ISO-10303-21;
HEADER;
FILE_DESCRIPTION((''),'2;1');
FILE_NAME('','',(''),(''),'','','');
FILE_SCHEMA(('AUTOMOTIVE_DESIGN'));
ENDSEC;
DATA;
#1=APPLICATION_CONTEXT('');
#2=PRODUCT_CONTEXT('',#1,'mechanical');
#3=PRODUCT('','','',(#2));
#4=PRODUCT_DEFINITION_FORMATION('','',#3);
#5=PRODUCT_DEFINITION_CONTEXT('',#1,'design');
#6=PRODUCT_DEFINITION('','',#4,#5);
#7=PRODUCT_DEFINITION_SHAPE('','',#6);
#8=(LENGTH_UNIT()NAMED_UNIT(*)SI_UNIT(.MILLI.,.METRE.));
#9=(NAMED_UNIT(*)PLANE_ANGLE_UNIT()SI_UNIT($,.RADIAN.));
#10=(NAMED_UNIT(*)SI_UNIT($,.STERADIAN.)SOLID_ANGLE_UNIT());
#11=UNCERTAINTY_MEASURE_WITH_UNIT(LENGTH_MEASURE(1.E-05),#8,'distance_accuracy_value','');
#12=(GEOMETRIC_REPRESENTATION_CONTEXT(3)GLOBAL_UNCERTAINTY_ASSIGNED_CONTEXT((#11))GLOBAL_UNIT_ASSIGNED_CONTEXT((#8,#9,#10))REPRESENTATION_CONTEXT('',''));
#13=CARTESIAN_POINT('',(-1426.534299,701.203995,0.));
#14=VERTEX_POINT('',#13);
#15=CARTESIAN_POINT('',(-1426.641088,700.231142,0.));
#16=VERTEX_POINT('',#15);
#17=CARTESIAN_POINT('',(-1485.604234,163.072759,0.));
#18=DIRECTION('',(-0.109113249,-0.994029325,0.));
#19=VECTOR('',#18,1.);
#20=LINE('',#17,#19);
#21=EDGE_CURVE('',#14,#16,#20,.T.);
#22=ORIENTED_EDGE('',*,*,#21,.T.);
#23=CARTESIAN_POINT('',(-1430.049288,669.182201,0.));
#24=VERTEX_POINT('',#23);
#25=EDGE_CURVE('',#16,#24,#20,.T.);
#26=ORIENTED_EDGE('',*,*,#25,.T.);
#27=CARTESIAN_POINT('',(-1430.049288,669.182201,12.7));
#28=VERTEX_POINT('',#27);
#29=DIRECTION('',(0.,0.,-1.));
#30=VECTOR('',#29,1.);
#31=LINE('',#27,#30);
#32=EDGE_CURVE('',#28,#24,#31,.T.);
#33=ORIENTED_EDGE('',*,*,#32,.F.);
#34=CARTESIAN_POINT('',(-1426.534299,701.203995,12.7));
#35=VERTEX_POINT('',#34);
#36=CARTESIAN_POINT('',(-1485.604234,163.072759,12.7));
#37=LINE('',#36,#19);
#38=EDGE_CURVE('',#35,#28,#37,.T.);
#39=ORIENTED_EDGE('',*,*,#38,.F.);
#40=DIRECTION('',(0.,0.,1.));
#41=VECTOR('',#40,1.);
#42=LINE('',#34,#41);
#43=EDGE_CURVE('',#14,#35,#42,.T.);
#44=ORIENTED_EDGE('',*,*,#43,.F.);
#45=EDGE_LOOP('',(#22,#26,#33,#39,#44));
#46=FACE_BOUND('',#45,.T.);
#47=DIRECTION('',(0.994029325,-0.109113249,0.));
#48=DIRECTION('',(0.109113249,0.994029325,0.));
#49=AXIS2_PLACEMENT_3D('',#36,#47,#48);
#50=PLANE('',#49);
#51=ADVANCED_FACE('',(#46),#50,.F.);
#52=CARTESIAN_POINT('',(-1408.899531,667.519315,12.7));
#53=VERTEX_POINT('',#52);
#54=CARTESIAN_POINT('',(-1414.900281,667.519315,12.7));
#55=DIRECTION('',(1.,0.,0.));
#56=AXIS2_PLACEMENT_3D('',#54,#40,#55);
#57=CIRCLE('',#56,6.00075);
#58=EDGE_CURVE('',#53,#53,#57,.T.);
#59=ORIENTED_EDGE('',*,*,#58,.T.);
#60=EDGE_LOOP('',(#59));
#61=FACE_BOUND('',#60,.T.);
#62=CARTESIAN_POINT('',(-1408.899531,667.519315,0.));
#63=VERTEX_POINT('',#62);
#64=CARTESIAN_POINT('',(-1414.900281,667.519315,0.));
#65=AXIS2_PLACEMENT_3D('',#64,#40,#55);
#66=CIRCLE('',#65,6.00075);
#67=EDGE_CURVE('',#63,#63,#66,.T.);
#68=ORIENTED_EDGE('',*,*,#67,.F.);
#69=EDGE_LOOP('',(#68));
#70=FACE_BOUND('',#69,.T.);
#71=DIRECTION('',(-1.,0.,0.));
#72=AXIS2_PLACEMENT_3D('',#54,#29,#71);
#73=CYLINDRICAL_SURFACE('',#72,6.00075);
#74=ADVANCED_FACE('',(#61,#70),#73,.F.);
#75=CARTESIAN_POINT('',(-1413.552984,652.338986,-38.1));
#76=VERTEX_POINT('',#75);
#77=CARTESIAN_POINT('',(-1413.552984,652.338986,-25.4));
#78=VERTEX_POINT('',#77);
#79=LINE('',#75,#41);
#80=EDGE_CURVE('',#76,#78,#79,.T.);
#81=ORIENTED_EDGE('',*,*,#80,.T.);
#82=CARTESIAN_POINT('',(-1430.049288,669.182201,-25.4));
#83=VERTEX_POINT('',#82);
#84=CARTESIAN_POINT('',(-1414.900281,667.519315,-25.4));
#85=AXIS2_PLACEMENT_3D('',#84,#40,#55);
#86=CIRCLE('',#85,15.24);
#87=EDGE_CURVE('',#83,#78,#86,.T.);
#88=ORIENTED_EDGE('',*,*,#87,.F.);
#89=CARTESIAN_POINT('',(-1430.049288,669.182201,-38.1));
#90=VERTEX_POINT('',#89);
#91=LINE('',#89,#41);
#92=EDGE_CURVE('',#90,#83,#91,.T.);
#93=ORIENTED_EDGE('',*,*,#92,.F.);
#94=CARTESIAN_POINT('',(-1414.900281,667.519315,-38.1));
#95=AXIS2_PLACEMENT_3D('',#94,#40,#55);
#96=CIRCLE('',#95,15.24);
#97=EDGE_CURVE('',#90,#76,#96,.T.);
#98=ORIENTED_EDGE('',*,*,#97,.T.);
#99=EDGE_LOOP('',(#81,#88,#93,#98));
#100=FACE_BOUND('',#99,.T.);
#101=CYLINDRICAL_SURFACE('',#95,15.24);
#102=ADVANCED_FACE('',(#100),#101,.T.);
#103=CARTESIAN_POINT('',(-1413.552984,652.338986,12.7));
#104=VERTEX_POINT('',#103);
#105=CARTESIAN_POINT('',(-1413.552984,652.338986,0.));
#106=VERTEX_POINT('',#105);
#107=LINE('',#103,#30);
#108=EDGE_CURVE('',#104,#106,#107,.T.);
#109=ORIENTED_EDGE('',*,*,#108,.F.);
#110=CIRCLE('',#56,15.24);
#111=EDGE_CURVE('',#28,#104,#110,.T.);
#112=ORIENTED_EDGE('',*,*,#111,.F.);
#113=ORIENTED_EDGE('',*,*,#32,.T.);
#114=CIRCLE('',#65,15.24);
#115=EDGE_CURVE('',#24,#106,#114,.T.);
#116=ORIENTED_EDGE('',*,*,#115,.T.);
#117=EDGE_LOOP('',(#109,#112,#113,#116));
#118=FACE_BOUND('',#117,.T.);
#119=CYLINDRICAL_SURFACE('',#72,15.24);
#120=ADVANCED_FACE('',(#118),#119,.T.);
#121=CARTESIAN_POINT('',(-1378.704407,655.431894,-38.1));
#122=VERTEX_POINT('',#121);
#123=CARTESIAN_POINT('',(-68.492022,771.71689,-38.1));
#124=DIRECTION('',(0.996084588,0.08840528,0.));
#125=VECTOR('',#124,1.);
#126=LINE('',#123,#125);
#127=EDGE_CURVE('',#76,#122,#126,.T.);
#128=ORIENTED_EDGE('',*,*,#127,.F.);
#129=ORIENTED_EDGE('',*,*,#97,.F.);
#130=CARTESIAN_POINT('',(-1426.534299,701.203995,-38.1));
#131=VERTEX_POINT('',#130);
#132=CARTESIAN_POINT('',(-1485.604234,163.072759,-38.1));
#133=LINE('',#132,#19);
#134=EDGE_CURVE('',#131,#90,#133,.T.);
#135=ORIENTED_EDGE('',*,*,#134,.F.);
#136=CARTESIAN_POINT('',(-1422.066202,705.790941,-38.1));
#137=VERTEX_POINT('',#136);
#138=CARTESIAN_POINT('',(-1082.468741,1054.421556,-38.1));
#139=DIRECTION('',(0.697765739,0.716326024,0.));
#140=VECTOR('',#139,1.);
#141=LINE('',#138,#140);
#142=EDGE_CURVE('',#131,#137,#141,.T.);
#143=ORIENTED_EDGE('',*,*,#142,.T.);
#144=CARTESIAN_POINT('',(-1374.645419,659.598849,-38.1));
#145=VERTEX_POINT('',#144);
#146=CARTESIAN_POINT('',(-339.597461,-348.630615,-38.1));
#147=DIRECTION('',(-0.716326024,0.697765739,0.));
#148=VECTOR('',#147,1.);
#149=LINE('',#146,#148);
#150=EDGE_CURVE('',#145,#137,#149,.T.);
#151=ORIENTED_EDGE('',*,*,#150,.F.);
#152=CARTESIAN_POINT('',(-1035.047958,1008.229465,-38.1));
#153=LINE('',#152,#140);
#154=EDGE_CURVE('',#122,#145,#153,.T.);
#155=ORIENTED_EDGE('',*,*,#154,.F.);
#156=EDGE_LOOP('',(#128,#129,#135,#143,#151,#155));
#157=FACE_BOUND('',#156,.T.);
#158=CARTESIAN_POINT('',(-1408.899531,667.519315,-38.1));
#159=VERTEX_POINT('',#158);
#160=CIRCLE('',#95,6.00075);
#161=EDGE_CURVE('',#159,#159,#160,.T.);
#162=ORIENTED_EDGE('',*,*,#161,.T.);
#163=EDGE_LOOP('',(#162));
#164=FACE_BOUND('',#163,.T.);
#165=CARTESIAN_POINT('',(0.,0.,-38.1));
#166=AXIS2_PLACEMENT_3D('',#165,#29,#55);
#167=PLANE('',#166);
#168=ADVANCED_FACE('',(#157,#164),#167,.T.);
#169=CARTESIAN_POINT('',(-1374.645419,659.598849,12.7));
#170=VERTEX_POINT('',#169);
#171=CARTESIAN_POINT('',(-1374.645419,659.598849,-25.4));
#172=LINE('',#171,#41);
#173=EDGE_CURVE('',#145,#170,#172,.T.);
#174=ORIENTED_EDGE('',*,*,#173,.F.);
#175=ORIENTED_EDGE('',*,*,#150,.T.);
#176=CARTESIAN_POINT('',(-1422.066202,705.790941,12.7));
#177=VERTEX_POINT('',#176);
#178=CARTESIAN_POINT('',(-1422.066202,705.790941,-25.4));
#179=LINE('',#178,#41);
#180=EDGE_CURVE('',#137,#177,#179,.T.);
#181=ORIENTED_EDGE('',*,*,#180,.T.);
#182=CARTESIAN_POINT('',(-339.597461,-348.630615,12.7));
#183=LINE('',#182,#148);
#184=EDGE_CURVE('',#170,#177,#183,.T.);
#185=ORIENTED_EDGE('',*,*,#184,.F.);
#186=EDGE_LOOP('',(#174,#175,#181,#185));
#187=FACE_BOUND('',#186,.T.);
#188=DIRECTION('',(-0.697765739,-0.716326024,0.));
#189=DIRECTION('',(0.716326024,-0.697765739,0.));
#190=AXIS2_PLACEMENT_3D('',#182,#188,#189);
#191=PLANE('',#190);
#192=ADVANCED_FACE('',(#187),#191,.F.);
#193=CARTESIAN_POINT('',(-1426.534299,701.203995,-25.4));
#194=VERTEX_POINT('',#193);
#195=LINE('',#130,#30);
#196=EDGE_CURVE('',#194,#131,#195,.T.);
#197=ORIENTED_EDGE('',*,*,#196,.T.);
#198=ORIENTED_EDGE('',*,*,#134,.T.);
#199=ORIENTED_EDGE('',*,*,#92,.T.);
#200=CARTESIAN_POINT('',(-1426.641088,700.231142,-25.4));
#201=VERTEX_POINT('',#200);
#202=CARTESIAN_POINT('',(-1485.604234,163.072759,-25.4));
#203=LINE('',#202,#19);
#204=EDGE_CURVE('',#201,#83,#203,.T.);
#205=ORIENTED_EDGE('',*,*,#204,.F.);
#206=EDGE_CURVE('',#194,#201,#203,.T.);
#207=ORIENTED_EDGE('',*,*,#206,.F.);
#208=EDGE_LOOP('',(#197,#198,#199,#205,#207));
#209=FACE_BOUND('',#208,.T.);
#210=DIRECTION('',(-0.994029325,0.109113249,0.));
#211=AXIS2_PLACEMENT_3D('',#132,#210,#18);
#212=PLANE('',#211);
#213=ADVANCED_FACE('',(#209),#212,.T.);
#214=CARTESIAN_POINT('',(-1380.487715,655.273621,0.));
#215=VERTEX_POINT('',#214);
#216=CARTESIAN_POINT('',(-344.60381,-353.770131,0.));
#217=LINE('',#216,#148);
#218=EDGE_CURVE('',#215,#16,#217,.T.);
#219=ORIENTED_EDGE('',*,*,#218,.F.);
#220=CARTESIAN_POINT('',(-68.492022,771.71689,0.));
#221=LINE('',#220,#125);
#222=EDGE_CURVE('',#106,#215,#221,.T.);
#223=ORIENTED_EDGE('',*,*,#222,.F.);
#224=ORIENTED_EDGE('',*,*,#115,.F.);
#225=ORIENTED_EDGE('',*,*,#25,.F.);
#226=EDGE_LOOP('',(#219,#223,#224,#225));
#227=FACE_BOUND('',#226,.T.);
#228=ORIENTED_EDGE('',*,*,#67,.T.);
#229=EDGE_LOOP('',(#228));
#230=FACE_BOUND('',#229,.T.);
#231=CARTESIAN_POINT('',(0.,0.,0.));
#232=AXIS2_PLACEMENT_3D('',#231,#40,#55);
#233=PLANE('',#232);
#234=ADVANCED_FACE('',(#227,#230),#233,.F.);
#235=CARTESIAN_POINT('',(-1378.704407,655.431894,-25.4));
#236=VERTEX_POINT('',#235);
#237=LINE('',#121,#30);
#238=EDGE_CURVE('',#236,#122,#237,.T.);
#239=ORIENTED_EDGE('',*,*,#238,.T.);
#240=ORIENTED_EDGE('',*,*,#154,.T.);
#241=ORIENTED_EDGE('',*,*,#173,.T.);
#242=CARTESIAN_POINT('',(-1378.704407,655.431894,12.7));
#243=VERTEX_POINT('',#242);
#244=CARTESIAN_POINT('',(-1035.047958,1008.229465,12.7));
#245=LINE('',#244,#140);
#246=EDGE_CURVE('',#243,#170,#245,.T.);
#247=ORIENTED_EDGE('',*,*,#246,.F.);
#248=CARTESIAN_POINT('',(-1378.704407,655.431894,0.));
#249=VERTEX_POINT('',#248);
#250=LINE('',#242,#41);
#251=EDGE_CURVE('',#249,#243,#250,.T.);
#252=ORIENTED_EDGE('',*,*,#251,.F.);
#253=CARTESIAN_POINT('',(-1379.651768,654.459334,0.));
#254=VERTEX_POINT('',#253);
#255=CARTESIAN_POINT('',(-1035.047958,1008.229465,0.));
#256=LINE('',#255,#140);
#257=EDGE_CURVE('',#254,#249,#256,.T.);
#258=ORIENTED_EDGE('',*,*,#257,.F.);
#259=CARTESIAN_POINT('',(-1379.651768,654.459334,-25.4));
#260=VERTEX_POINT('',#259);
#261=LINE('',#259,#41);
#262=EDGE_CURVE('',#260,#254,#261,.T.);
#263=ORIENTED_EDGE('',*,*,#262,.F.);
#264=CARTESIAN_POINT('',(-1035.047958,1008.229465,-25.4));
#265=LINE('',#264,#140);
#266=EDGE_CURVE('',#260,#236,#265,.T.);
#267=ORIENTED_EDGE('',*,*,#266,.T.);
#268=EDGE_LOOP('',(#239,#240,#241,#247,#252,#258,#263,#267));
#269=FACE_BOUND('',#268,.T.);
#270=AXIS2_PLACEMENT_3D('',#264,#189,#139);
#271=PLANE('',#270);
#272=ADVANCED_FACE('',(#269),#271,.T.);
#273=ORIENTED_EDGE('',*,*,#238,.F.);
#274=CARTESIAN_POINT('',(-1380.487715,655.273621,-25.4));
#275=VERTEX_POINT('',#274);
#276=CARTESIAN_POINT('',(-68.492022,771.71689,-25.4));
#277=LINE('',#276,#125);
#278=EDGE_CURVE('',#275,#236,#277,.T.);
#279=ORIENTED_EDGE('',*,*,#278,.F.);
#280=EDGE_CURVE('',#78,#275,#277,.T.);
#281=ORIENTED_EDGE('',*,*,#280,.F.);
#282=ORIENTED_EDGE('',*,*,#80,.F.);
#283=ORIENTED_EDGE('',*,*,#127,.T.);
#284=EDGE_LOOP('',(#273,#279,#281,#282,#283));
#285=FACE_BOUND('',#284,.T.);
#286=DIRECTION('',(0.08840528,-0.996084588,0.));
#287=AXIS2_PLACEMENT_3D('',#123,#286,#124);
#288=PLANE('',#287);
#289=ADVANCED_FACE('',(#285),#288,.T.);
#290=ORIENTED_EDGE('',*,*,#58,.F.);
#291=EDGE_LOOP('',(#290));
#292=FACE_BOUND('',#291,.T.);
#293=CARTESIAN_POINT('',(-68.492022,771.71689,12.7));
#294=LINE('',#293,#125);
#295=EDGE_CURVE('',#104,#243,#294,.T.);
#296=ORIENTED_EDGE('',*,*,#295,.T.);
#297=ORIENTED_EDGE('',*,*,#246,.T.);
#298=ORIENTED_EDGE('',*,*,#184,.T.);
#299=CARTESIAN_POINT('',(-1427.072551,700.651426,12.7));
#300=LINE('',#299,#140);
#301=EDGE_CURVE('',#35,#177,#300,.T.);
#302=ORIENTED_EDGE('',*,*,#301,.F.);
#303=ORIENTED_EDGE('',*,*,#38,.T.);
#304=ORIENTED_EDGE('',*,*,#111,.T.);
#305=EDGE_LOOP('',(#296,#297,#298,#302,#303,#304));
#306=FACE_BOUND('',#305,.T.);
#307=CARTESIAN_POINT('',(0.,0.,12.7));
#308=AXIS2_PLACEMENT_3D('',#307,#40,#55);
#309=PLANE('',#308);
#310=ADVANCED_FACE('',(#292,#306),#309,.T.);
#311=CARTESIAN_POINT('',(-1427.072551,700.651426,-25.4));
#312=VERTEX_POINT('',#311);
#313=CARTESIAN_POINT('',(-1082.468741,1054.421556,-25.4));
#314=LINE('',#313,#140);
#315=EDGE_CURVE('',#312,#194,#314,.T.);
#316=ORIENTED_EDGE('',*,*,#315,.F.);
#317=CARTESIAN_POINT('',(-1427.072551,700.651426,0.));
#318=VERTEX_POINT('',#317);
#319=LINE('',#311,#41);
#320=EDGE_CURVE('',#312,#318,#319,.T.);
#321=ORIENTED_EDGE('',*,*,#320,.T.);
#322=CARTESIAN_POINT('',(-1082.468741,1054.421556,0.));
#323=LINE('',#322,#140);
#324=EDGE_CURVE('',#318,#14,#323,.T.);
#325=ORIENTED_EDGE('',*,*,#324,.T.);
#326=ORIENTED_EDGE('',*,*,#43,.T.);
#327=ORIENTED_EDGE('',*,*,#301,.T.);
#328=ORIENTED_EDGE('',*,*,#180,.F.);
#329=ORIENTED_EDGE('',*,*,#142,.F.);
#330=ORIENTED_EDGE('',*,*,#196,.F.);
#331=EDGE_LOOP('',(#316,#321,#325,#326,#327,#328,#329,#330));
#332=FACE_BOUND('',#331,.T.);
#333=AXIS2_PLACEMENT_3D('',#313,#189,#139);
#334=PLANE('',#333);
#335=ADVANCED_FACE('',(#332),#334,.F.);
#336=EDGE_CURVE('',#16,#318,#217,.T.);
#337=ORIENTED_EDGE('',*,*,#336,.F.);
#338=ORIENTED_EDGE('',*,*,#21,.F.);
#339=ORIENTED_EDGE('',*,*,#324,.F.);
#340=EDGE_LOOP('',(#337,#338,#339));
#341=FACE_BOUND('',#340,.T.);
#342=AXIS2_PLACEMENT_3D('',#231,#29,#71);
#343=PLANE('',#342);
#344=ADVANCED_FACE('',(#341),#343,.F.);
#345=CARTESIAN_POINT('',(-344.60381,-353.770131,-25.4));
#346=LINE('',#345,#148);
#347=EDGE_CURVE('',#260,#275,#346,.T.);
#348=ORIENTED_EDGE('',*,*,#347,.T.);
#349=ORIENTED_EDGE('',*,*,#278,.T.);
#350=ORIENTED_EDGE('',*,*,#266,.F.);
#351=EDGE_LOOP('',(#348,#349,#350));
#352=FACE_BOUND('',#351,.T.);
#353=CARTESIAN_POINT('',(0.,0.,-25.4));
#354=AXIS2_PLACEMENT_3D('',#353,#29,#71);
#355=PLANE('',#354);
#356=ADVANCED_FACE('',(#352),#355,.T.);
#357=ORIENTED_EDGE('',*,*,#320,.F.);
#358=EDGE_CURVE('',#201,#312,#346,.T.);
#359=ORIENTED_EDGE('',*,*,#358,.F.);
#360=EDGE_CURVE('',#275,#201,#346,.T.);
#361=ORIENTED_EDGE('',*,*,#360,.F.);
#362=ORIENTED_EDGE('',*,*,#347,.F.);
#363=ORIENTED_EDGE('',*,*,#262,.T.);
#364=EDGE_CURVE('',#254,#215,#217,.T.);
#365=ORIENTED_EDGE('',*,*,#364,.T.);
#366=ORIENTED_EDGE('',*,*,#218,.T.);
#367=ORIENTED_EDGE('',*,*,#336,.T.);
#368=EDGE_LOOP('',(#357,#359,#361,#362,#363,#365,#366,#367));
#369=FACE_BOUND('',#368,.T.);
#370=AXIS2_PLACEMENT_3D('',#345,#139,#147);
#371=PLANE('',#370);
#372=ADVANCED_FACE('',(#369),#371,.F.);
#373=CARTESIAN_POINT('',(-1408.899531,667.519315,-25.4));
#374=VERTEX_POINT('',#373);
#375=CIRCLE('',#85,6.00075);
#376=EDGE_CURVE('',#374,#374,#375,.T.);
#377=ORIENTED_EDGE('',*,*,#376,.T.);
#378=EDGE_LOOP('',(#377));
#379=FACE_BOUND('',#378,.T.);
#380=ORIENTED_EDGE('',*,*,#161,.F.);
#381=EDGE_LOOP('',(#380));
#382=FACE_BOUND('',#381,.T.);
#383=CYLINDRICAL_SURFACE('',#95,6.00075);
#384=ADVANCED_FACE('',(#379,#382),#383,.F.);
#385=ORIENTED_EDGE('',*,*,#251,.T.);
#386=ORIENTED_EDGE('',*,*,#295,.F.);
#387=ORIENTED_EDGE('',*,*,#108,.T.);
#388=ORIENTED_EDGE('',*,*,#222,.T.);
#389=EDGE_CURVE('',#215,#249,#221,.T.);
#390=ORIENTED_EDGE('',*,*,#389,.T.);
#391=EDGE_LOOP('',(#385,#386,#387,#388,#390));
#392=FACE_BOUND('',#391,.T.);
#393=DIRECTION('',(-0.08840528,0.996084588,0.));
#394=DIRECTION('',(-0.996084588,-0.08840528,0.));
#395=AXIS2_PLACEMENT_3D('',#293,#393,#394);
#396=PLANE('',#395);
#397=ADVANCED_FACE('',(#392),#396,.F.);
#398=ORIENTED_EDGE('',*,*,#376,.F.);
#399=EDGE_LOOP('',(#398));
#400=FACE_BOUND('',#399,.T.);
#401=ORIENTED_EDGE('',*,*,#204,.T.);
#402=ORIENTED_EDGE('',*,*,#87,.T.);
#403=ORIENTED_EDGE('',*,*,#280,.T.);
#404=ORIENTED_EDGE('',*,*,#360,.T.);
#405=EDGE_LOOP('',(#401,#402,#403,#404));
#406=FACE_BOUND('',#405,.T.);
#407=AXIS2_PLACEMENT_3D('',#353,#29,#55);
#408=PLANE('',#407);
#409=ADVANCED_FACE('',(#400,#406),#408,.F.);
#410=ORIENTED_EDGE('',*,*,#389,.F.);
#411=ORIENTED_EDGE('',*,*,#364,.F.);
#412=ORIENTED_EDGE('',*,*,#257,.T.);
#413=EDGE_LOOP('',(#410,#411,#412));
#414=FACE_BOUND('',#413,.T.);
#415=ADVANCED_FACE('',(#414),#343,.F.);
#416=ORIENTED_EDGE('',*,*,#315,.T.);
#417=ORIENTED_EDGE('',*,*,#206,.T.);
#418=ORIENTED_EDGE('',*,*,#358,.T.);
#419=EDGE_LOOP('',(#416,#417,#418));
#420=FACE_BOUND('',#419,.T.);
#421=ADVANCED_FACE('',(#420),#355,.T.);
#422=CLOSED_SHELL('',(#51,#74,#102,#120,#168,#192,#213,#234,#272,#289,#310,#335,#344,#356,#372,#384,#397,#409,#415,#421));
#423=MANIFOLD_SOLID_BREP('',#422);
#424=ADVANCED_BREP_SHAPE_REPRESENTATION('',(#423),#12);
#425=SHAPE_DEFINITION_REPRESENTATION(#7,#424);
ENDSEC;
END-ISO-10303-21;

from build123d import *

# Parameters (mm, degrees)
SKETCH1_R               = 6.00075
BOSS_EXTRUDE1_DEPTH     = 12.7
BOSS_EXTRUDE2_DEPTH     = 12.7
CUT_EXTRUDE1_DEPTH      = 26.4
CUT_EXTRUDE1_DEPTH_BACK = 26.4


with BuildPart() as part:
    # Sketch1 → Boss-Extrude1 (new body)
    with BuildSketch(Plane.XY):
        with BuildLine():
            Line((-1425.647832194, 709.279769852), (-1430.049287856, 669.182201206))
            ThreePointArc((-1430.049287856, 669.182201206), (-1425.788130872, 656.855717211), (-1413.552984482, 652.338986166))
            Line((-1413.552984482, 652.338986166), (-1371.063789142, 656.110020516))
            Line((-1371.063789142, 656.110020516), (-1425.647832194, 709.279769852))
        make_face()
        with Locations((-1414.900280944, 667.519315288)):
            Circle(SKETCH1_R, mode=Mode.SUBTRACT)
        with BuildLine():
            ThreePointArc((-1399.660280943, 667.519315289), (-1414.06759413, 682.736550014), (-1430.049287856, 669.182201206))
            ThreePointArc((-1430.049287856, 669.182201206), (-1429.244352574, 662.370994293), (-1425.534230405, 656.602506283))
            ThreePointArc((-1425.534230405, 656.602506283), (-1420.009574625, 653.161295993), (-1413.552984482, 652.338986166))
            ThreePointArc((-1413.552984482, 652.338986167), (-1403.657719001, 657.230369718), (-1399.660280943, 667.519315289))
        make_face()
        with Locations((-1414.900280944, 667.519315288)):
            Circle(SKETCH1_R, mode=Mode.SUBTRACT)
    boss_extrude1 = extrude(amount=BOSS_EXTRUDE1_DEPTH)

    # Sketch2 → Boss-Extrude2 (add, symmetric)
    with BuildSketch(Plane(origin=(0, 0, -12.7), x_dir=(-1, 0, 0), z_dir=(0, 0, -1))):
        Polygon((1422.066202071, 705.790941154), (1374.645419263, 659.598849213), (1379.65176797, 654.459333665), (1404.266329264, 678.436122134), (1427.072550778, 700.651425607), align=None)
    extrude(amount=BOSS_EXTRUDE2_DEPTH, both=True)

    # Mirror2: Boss-Extrude1 across plane
    add(boss_extrude1.mirror(Plane(origin=(0, 0, -12.7), x_dir=(1, 0, 0), z_dir=(0, 0, -1))))

    # Sketch4 → Cut-Extrude1 (cut, two sides)
    with BuildSketch(Plane(origin=(0, 0, -12.7), x_dir=(-1, 0, 0), z_dir=(0, 0, -1))) as cut_extrude1_sk:
        Polygon((1376.070137849, 650.970504969), (1371.063789142, 656.110020516), (1374.645419263, 659.598849213), (1379.65176797, 654.459333665), align=None)
        Polygon((1427.072550778, 700.651425607), (1430.654180901, 704.140254305), (1425.647832194, 709.279769852), (1422.066202071, 705.790941154), align=None)
    extrude(amount=CUT_EXTRUDE1_DEPTH, mode=Mode.SUBTRACT)
    extrude(cut_extrude1_sk.sketch, amount=-CUT_EXTRUDE1_DEPTH_BACK, mode=Mode.SUBTRACT)


solid = part.part
